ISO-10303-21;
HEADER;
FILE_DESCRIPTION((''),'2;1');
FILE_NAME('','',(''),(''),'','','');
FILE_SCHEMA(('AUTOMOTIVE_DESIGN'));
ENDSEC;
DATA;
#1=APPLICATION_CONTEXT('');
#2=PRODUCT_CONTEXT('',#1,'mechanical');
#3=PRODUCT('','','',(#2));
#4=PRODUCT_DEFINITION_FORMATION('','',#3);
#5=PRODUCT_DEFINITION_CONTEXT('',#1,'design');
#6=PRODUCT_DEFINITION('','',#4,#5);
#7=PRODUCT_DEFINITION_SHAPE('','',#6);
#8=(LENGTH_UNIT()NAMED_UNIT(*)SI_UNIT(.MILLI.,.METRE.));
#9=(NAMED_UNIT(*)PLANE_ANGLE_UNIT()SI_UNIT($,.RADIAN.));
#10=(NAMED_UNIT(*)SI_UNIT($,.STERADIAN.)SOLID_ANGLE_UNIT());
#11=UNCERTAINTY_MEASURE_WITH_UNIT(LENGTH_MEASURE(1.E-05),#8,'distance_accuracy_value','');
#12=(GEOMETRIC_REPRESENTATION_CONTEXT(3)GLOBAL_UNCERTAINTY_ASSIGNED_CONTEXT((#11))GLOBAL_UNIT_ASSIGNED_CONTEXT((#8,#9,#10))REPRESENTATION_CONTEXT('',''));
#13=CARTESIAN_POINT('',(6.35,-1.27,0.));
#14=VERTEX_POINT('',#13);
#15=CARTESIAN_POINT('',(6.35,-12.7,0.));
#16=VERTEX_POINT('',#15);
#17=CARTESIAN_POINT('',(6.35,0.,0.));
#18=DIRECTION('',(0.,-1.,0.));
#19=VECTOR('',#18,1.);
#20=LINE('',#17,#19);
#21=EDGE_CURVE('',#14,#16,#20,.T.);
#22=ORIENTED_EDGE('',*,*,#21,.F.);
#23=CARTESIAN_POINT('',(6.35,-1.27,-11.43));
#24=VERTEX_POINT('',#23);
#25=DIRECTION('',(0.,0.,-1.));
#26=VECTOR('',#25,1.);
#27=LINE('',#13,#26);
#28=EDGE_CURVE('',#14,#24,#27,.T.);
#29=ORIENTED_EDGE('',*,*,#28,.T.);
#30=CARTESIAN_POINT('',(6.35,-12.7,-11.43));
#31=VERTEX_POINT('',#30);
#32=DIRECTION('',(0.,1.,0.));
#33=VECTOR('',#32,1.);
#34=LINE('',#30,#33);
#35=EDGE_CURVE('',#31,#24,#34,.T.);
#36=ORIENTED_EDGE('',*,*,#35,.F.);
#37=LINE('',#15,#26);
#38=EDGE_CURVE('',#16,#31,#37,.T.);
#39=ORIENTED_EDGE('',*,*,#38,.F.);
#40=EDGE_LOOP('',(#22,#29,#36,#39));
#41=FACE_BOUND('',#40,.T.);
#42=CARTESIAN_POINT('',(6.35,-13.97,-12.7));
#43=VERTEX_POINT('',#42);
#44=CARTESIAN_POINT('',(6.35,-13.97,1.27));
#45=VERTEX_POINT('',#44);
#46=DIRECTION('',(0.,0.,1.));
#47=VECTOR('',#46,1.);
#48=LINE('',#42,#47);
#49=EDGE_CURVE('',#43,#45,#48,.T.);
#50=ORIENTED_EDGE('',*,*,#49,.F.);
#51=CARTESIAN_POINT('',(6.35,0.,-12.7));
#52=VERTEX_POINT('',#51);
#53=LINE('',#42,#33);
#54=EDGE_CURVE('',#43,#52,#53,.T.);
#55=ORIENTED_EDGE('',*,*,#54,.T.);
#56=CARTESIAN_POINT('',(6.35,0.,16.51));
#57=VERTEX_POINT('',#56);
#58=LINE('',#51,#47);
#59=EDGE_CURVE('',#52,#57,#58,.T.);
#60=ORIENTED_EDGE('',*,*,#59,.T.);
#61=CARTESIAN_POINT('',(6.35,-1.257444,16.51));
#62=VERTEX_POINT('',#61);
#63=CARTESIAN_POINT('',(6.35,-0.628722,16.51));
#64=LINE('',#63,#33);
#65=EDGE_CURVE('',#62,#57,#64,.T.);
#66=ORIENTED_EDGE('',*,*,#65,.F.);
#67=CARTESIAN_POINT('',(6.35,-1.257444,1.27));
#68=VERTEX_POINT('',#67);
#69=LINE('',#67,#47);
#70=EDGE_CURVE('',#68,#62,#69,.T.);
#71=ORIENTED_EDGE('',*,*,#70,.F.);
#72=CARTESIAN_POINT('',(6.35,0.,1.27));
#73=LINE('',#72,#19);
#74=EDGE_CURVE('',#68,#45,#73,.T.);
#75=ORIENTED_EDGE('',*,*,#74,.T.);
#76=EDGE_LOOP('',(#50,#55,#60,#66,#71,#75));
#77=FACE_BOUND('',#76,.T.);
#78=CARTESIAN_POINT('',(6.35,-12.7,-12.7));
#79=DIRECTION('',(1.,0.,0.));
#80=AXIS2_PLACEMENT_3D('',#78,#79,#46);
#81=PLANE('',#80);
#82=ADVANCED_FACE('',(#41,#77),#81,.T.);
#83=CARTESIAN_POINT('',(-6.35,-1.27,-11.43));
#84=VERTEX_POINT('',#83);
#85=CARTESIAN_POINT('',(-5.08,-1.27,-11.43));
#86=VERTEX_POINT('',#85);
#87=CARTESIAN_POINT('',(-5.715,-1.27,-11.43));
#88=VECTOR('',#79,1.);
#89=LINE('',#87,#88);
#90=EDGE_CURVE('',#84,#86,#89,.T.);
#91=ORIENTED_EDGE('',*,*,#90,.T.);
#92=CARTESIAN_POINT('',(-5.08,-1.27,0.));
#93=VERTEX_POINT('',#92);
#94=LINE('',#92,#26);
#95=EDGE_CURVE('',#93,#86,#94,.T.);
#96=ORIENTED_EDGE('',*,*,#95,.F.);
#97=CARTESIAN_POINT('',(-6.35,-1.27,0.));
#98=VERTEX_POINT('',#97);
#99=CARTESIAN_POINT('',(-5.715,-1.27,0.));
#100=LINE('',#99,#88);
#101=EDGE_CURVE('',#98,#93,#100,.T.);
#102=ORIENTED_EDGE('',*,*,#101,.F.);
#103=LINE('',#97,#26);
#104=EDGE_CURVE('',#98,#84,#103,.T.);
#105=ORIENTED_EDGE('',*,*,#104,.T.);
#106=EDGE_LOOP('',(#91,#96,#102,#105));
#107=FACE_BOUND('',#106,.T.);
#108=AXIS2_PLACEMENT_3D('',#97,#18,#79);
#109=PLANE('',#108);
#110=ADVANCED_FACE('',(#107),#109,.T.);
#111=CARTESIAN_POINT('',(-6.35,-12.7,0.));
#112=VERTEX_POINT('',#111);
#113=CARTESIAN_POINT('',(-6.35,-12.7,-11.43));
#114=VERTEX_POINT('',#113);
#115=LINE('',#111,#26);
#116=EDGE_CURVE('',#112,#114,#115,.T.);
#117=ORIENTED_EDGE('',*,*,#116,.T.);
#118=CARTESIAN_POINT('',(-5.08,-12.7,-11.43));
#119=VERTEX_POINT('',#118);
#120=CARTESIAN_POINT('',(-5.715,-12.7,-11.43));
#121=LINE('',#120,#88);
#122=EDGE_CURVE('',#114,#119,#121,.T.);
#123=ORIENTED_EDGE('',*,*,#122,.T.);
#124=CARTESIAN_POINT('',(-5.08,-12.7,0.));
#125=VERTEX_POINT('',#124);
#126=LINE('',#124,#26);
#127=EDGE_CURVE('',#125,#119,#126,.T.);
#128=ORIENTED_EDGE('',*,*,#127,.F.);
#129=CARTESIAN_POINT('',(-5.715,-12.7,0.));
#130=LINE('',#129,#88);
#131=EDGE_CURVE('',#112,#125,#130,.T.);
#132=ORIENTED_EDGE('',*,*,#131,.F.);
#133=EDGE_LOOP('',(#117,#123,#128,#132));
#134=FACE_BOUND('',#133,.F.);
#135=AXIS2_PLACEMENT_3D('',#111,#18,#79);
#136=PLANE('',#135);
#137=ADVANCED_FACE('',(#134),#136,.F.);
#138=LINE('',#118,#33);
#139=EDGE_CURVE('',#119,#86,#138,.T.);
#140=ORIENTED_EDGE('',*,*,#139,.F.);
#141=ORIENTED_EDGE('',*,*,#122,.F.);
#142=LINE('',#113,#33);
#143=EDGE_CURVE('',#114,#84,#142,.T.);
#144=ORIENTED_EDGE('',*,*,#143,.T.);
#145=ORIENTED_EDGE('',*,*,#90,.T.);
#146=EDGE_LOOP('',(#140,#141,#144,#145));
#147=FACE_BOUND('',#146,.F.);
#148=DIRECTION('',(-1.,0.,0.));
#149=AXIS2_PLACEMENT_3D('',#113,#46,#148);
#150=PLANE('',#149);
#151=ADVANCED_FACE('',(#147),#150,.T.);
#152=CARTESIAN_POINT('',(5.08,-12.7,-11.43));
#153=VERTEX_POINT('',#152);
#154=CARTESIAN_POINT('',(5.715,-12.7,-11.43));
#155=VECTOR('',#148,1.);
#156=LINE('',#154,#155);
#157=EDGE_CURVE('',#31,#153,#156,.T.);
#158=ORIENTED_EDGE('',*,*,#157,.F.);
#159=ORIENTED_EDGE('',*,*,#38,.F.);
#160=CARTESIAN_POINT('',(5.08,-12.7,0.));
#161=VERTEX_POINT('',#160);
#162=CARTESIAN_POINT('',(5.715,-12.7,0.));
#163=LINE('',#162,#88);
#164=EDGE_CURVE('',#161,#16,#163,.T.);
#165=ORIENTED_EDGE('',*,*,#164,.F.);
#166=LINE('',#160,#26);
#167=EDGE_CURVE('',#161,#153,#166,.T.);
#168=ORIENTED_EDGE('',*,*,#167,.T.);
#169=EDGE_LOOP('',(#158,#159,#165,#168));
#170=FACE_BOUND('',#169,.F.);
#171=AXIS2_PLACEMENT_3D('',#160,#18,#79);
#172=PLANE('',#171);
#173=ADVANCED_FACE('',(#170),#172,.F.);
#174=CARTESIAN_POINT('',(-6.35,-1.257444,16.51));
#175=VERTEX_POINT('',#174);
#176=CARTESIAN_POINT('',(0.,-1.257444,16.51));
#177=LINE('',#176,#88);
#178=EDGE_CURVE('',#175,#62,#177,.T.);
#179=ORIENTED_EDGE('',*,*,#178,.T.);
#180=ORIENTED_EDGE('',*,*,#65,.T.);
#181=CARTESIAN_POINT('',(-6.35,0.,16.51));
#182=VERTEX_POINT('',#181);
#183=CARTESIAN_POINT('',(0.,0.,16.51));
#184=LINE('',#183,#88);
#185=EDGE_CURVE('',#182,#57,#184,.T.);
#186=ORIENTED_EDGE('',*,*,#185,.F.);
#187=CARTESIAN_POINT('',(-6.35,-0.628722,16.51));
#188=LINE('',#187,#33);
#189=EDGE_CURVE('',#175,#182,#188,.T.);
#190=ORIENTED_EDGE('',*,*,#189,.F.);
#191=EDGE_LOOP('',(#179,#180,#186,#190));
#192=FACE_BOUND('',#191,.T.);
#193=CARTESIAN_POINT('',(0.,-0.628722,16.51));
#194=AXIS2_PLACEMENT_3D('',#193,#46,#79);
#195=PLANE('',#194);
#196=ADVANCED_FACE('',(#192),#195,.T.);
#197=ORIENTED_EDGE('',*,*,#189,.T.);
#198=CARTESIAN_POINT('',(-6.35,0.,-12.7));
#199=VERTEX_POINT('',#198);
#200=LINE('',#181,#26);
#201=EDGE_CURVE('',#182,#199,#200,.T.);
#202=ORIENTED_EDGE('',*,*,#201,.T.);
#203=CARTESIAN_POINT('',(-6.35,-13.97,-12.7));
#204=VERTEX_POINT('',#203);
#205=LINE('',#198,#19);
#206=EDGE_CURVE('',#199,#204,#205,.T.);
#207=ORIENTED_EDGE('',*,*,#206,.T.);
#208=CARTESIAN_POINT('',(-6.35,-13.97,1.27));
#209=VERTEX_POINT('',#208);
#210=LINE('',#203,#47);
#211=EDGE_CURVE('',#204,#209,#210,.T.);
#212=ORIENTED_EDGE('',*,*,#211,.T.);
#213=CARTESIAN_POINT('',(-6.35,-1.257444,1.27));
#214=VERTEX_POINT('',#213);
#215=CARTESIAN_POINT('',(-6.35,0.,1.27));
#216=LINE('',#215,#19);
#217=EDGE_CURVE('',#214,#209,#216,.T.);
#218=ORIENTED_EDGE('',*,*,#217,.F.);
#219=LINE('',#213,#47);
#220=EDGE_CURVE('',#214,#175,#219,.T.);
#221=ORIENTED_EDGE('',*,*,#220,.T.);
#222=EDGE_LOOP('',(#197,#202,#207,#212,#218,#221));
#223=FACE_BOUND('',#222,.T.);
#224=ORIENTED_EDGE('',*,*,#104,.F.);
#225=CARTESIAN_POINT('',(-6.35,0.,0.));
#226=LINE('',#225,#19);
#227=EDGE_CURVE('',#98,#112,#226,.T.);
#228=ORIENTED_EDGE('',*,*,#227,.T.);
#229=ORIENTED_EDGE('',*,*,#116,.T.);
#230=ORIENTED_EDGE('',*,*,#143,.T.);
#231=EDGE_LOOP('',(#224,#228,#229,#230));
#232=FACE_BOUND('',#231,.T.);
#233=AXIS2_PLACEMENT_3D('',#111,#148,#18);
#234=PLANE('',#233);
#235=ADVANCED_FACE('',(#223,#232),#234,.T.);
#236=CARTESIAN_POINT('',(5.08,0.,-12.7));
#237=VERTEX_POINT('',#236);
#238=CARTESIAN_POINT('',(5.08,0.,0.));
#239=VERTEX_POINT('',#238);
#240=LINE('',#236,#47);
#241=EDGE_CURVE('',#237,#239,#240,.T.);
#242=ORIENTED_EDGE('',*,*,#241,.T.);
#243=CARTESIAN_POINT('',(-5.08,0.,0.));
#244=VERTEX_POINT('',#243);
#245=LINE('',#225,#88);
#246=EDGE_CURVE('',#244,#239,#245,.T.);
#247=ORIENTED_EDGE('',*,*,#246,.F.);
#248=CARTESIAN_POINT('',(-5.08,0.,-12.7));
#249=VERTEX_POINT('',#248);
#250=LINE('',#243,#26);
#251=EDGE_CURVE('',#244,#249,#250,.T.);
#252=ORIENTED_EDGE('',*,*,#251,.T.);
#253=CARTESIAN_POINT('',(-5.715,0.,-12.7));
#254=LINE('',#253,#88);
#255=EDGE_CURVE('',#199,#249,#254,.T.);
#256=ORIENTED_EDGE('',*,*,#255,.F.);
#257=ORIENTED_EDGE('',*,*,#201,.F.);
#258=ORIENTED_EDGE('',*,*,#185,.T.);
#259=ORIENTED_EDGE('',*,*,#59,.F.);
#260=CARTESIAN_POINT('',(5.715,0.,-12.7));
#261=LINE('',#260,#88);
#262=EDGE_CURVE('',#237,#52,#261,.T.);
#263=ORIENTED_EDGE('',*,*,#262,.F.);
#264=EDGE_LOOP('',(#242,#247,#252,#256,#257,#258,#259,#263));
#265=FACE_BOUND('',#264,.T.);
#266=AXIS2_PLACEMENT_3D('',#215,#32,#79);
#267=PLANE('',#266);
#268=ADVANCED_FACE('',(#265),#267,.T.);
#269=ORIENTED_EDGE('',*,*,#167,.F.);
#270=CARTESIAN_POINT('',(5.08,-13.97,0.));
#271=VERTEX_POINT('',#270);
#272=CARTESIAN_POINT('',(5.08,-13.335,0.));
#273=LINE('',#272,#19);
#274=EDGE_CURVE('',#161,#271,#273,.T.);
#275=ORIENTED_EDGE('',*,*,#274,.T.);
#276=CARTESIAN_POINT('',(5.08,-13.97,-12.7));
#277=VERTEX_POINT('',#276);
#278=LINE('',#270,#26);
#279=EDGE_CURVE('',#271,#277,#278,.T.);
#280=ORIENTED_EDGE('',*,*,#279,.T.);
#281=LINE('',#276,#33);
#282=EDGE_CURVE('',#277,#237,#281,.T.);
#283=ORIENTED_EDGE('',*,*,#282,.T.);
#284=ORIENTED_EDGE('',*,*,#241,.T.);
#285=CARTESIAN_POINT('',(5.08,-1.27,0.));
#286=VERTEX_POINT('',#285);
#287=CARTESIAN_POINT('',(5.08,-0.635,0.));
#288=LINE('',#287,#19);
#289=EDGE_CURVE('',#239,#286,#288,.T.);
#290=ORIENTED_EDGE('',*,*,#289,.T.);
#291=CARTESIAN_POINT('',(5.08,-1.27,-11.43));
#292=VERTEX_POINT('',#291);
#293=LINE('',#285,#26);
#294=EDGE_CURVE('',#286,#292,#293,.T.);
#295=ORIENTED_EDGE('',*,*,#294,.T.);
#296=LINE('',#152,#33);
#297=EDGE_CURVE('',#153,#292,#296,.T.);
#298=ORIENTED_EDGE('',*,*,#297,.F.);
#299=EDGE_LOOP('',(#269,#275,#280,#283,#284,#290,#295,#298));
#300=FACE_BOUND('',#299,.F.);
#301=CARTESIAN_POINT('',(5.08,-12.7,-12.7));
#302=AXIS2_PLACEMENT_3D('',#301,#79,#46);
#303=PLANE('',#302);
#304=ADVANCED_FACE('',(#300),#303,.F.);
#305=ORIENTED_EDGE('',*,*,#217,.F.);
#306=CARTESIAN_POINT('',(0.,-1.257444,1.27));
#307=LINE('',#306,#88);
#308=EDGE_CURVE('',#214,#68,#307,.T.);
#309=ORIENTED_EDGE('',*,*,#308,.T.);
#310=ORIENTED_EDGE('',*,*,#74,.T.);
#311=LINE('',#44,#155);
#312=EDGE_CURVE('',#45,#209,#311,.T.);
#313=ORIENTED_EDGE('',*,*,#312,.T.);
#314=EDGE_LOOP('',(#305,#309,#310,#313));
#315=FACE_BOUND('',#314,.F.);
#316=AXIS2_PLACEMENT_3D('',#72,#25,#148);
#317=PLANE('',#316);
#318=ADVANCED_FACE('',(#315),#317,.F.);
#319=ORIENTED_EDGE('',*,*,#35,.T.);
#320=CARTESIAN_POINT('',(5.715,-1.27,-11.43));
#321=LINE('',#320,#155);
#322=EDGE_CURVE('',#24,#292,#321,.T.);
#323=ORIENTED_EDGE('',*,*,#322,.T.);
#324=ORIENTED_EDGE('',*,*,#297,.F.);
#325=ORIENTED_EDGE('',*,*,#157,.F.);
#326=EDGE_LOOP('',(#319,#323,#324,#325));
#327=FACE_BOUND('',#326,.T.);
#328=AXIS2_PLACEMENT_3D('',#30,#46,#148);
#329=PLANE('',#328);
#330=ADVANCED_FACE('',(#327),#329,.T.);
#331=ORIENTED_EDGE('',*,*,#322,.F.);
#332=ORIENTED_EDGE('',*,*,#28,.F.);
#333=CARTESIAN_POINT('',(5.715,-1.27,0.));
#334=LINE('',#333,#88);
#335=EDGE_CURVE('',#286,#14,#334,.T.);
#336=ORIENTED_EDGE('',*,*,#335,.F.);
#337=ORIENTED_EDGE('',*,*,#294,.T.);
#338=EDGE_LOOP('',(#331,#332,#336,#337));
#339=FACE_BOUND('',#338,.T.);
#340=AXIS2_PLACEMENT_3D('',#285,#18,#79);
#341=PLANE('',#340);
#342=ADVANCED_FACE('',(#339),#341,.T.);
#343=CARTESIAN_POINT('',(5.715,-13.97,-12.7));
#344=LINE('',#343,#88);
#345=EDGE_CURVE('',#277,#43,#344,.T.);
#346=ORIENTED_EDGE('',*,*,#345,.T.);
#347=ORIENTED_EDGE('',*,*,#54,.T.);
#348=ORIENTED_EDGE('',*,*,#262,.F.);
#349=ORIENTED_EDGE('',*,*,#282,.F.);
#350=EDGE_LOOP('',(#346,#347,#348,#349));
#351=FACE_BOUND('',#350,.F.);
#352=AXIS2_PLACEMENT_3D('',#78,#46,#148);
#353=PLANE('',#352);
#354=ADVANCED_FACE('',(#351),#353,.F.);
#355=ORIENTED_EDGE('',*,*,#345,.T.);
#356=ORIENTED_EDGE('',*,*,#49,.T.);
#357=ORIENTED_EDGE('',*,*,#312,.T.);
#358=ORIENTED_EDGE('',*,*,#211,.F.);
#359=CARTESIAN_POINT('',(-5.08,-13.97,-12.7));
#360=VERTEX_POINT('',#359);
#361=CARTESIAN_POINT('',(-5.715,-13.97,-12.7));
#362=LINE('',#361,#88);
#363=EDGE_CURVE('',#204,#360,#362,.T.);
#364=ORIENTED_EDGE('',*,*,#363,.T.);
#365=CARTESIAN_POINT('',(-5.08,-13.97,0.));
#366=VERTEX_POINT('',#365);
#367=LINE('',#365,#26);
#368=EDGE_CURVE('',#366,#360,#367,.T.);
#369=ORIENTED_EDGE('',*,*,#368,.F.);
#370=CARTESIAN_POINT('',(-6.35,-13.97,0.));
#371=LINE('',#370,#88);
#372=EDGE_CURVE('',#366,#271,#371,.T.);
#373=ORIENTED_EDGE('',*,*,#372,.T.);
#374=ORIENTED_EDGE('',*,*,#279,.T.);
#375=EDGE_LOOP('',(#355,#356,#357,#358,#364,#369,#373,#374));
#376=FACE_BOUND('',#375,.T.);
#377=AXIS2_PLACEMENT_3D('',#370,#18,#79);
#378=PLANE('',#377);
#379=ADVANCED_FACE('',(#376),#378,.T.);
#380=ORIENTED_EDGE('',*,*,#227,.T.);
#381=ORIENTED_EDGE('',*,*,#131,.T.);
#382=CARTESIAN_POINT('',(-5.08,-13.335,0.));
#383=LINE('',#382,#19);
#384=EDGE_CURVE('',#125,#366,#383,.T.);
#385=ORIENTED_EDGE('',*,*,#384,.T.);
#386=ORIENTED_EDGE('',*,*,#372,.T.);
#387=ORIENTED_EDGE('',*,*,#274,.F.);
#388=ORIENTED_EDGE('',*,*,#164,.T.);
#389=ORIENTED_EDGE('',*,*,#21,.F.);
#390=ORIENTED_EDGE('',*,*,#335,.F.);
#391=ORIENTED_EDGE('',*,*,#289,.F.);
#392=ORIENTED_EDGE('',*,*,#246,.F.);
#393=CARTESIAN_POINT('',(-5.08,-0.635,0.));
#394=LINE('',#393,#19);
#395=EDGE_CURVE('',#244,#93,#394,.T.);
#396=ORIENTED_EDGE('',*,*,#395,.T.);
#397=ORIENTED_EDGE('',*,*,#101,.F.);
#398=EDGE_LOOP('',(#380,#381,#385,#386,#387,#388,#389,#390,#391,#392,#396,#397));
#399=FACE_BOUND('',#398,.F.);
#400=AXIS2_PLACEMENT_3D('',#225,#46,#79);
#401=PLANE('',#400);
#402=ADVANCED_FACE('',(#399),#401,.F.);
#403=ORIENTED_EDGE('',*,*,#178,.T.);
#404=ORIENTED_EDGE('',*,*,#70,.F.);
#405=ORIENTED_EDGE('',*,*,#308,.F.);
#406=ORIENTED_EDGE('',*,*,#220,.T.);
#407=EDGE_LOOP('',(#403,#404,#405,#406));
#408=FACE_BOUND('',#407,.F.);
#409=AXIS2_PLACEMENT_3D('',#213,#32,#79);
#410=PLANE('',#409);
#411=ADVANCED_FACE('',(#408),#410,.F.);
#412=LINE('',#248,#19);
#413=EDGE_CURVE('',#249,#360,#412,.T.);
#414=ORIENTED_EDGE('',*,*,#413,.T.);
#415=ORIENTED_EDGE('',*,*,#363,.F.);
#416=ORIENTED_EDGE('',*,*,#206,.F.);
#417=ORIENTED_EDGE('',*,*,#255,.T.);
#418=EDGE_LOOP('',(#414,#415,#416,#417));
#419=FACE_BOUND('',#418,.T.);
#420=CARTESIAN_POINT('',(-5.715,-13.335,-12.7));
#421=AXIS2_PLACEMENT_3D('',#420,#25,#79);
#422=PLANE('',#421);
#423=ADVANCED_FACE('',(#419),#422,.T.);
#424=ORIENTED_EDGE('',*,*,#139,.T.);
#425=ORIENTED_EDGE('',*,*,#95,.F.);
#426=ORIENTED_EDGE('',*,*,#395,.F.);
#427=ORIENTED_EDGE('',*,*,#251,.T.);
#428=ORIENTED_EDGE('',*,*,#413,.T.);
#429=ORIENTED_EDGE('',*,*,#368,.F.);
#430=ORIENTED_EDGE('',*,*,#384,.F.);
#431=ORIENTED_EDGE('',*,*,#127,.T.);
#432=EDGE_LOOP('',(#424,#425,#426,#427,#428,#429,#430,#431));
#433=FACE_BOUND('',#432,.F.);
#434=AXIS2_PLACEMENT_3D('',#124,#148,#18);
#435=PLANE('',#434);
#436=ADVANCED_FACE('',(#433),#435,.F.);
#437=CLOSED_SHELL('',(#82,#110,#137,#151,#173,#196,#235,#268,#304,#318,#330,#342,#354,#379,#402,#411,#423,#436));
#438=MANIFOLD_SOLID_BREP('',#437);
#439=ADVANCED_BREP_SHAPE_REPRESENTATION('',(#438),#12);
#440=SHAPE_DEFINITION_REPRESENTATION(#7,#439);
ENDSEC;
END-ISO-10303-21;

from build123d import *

# Parameters (mm, degrees)
F1_DEPTH = 13.97
F2_W     = 12.7
F2_H     = 1.257444
F3_DEPTH = 15.24
F4_W     = 1.27
F4_H     = 1.27
F5_DEPTH = 12.7
F6_W     = 1.27
F6_H     = 1.27
F7_DEPTH = 12.7


with BuildPart() as f1:
    # F0 (on Front) → F1 (new body)
    with BuildSketch(Plane.XZ):
        Polygon((-6.35, 0), (0, 0), (6.35, 0), (6.35, 1.27), (0, 1.27), (-6.35, 1.27), align=None)
    extrude(amount=F1_DEPTH)

    # F2 (on face) → F3 (join)
    with BuildSketch(Plane.XY.offset(1.27)):
        with Locations((0, -0.628722)):
            Rectangle(F2_W, F2_H)
    extrude(amount=F3_DEPTH)

    # F4 (on face) → F5 (join)
    with BuildSketch(Plane(origin=(0, 0, 0), x_dir=(1, 0, 0), z_dir=(0, 0, -1))):
        with Locations((-5.715, 13.335)):
            Rectangle(F4_W, F4_H)
        with Locations((-5.715, 0.635)):
            Rectangle(F4_W, F4_H)
        with Locations((5.715, 0.635)):
            Rectangle(F4_W, F4_H)
        with Locations((5.715, 13.335)):
            Rectangle(F4_W, F4_H)
    extrude(amount=F5_DEPTH)

    # F6 (on face) → F7 (join)
    with BuildSketch(Plane(origin=(0, -12.7, 0), x_dir=(-1, 0, 0), z_dir=(0, 1, 0))):
        with Locations((-5.715, -12.065)):
            Rectangle(F6_W, F6_H)
    extrude(amount=F7_DEPTH)

    # F8: F1 across plane


with BuildPart() as f1_1:
    add(f1.part)
    add(f1.part.mirror(Plane.YZ))


solid = f1_1.part
